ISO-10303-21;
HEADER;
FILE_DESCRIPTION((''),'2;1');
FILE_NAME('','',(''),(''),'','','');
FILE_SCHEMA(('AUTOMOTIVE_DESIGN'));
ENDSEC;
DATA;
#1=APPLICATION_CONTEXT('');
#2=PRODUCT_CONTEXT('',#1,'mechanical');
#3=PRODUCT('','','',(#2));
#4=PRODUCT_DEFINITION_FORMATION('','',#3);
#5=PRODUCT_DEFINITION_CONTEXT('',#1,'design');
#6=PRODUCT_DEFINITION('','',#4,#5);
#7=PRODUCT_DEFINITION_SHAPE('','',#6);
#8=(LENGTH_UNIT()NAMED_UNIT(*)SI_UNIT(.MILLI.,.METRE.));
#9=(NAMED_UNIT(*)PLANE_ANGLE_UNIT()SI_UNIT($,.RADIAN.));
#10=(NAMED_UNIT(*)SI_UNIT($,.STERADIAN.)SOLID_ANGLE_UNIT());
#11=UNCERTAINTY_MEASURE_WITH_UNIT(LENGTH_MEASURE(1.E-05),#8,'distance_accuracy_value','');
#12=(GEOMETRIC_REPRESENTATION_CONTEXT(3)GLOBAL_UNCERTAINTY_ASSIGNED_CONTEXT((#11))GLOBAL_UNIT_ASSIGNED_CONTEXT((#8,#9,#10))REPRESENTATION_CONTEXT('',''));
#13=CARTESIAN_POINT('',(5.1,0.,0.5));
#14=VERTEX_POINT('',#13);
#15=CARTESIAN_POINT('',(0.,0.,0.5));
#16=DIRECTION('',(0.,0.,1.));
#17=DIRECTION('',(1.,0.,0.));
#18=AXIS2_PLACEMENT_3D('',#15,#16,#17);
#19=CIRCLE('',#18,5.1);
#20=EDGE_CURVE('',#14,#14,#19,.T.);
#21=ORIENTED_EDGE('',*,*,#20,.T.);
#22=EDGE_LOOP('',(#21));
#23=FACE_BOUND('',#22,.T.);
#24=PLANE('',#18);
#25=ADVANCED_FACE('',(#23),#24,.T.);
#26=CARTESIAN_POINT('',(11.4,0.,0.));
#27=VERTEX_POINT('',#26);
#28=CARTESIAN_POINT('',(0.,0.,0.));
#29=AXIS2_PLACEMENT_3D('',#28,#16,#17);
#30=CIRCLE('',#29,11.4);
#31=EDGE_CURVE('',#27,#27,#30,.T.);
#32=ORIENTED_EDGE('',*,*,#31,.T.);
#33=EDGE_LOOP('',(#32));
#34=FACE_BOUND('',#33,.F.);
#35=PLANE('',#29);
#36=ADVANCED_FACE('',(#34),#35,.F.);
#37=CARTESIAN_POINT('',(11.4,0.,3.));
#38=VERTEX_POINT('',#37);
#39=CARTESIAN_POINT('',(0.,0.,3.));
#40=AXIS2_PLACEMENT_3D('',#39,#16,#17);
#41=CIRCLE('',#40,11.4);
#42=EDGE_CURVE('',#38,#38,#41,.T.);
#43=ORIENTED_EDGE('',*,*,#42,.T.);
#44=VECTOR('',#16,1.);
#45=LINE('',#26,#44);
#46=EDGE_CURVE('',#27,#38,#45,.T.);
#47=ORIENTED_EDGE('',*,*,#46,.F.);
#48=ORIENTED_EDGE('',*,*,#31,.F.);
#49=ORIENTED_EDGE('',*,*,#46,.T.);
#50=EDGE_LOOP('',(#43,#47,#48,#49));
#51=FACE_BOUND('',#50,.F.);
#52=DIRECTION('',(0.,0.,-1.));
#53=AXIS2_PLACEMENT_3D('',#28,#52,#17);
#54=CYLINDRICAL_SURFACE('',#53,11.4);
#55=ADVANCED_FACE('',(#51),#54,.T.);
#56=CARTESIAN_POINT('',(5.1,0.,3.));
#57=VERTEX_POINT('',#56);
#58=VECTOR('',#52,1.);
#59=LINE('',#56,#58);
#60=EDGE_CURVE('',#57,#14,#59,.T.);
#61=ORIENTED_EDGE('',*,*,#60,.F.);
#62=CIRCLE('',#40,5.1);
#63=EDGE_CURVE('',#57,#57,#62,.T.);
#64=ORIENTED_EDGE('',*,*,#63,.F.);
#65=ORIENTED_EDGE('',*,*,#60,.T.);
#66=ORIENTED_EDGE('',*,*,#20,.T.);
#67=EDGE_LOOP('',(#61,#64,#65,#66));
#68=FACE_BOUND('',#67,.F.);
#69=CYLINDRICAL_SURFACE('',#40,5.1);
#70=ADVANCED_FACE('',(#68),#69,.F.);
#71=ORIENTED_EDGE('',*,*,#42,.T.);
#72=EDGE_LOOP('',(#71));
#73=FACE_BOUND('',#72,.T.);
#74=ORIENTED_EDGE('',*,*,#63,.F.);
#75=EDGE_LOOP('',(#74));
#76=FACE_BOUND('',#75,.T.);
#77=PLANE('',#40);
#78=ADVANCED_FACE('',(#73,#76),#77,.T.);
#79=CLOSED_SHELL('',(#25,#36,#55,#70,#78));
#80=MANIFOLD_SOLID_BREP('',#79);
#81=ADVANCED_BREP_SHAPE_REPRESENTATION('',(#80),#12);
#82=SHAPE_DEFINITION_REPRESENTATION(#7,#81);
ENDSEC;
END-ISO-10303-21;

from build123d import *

# Parameters (mm, degrees)
SKETCH_R     = 11.4
PAD_DEPTH    = 3
SKETCH001_R  = 5.1
POCKET_DEPTH = 2.5


with BuildPart() as part:
    # Sketch → Pad (new body)
    with BuildSketch(Plane.XY):
        Circle(SKETCH_R)
    extrude(amount=PAD_DEPTH)

    # Sketch001 (on Face3 of Pad) → Pocket (cut)
    with BuildSketch(Plane.XY.offset(3)):
        Circle(SKETCH001_R)
    extrude(amount=-POCKET_DEPTH, mode=Mode.SUBTRACT)


solid = part.part
